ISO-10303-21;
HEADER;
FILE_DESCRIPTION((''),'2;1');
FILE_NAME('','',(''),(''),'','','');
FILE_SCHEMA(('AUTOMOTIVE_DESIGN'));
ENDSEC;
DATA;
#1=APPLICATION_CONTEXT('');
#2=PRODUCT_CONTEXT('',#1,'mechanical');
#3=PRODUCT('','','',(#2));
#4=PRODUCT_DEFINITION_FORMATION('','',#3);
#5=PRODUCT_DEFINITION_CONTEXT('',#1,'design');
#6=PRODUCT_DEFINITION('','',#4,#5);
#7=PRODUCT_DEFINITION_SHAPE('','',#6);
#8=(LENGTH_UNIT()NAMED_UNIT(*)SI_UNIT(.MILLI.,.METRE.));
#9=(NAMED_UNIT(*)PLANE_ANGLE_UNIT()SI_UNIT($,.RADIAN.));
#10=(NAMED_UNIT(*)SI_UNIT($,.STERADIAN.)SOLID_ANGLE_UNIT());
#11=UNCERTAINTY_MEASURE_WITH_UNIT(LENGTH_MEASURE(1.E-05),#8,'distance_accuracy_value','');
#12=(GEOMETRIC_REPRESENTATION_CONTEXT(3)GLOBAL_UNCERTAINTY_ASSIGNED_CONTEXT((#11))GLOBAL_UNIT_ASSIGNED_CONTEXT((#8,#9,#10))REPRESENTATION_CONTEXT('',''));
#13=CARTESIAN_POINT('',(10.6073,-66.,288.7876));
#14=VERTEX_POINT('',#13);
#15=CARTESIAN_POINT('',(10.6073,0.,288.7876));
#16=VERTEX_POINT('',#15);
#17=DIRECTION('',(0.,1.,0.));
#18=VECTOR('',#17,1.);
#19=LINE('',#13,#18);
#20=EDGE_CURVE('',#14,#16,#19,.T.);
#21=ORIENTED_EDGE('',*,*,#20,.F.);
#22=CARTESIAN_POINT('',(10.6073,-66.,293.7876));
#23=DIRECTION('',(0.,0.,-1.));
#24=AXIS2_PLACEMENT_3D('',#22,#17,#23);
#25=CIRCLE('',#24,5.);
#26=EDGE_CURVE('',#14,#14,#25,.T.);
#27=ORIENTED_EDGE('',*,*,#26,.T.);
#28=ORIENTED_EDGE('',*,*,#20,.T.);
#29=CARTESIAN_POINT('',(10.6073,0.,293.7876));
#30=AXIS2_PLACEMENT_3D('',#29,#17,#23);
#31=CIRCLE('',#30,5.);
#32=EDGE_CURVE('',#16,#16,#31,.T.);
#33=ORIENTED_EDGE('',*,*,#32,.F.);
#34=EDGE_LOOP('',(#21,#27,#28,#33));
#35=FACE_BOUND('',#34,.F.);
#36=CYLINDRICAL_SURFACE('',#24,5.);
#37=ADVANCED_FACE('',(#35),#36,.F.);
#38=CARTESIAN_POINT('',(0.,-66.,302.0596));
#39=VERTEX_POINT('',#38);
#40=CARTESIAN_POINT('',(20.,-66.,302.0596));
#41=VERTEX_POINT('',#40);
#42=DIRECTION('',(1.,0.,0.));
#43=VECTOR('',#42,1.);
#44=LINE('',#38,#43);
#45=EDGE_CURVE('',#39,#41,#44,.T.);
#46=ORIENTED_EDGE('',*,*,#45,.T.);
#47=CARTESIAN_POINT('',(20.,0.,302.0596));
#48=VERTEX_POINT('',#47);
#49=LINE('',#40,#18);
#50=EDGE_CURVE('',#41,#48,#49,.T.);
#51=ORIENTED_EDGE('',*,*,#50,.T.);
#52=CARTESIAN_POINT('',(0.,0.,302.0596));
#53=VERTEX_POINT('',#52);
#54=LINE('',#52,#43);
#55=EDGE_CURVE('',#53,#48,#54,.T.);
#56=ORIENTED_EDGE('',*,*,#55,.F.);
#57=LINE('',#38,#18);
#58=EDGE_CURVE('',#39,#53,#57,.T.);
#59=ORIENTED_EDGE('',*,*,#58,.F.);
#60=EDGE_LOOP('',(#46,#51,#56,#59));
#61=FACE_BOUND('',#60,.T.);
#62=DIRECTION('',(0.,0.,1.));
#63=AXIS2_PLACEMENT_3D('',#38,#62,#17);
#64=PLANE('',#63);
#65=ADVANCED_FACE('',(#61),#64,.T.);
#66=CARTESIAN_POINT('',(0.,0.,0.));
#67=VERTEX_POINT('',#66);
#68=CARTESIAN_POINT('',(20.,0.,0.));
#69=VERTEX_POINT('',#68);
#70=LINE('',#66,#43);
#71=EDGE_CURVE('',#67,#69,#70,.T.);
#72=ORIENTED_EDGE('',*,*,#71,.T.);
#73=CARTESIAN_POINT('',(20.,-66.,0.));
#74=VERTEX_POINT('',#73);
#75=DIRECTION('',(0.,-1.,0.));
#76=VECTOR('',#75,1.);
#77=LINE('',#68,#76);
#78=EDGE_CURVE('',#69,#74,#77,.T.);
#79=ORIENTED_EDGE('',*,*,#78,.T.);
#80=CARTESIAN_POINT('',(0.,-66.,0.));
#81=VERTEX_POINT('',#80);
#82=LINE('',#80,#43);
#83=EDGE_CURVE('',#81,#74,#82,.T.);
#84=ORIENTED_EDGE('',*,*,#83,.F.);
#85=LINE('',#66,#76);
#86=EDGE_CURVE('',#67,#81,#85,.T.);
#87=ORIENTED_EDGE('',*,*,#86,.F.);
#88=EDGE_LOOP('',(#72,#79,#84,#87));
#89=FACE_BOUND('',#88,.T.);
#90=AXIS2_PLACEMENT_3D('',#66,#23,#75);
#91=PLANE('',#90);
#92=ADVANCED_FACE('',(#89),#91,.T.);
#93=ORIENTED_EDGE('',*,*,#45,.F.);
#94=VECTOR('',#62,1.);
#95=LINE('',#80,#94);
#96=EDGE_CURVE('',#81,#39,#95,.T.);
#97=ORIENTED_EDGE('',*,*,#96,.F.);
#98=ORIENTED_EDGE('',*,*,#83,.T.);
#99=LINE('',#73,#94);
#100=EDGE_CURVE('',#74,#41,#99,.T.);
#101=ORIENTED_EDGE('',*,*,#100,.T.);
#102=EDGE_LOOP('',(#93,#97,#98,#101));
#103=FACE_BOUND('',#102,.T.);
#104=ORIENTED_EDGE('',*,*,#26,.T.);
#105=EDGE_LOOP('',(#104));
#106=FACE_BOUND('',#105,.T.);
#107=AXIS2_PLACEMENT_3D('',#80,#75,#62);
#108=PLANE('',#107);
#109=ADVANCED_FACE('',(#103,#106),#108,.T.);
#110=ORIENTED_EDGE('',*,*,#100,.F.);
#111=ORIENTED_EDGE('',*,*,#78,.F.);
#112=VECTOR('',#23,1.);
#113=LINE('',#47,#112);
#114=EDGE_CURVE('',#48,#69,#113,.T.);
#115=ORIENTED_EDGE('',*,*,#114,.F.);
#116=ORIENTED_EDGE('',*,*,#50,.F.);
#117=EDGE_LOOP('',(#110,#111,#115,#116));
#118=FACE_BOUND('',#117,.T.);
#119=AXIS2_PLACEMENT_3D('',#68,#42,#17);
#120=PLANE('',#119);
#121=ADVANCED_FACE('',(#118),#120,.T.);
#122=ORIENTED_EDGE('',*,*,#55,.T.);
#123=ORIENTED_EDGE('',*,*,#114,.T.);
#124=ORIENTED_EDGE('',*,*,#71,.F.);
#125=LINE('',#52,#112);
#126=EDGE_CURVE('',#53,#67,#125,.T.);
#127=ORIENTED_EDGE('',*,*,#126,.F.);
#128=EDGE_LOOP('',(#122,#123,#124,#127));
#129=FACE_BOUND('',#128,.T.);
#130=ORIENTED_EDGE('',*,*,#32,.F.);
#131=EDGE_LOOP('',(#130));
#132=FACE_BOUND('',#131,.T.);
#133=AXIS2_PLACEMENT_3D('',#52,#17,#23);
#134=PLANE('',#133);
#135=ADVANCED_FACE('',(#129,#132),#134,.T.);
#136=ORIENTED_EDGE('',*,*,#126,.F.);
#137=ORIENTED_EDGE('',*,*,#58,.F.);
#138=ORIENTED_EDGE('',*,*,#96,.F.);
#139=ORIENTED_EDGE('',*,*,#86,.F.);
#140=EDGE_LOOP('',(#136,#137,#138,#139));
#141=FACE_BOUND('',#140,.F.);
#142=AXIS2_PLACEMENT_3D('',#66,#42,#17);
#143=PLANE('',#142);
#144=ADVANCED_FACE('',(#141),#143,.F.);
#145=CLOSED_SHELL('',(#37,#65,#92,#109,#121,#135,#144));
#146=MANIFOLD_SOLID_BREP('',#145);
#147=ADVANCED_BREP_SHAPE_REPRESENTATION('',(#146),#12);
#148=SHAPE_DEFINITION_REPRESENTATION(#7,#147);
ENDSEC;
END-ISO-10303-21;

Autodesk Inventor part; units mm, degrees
ref_plane "YZ Plane" through (0, 0, 0) normal (1, 0, 0) x (0, 1, 0)
ref_plane "XZ Plane" through (0, 0, 0) normal (0, 1, 0) x (-1, 0, 0)
ref_plane "XY Plane" through (0, 0, 0) normal (0, 0, 1) x (1, 0, 0)
sketch "スケッチ1" plane through (0, 0, 0) normal (1, 0, 0) x (0, 1, 0)
  line L0 (0, 0) -> (-66, 0)
  line L1 (-66, 0) -> (-66, 302.0596)
  line L2 (-66, 302.0596) -> (0, 302.0596)
  line L3 (0, 302.0596) -> (0, 0)
  dimension "d9" = 66
extrude "押し出し1" add sketch "スケッチ1" along normal blind 20
sketch "スケッチ2" plane through (0, -66, 0) normal (0, -1, 0) x (1, 0, 0)
  point P0 (0, 0)
  point P1 (10.6073, 293.7876)
hole "穴1" at (10.6073, -66, 293.7876) direction (0, 1, 0) diameter 10 end through all
properties part number "垂直アーム(仮)" material "アルミニウム 6061"
